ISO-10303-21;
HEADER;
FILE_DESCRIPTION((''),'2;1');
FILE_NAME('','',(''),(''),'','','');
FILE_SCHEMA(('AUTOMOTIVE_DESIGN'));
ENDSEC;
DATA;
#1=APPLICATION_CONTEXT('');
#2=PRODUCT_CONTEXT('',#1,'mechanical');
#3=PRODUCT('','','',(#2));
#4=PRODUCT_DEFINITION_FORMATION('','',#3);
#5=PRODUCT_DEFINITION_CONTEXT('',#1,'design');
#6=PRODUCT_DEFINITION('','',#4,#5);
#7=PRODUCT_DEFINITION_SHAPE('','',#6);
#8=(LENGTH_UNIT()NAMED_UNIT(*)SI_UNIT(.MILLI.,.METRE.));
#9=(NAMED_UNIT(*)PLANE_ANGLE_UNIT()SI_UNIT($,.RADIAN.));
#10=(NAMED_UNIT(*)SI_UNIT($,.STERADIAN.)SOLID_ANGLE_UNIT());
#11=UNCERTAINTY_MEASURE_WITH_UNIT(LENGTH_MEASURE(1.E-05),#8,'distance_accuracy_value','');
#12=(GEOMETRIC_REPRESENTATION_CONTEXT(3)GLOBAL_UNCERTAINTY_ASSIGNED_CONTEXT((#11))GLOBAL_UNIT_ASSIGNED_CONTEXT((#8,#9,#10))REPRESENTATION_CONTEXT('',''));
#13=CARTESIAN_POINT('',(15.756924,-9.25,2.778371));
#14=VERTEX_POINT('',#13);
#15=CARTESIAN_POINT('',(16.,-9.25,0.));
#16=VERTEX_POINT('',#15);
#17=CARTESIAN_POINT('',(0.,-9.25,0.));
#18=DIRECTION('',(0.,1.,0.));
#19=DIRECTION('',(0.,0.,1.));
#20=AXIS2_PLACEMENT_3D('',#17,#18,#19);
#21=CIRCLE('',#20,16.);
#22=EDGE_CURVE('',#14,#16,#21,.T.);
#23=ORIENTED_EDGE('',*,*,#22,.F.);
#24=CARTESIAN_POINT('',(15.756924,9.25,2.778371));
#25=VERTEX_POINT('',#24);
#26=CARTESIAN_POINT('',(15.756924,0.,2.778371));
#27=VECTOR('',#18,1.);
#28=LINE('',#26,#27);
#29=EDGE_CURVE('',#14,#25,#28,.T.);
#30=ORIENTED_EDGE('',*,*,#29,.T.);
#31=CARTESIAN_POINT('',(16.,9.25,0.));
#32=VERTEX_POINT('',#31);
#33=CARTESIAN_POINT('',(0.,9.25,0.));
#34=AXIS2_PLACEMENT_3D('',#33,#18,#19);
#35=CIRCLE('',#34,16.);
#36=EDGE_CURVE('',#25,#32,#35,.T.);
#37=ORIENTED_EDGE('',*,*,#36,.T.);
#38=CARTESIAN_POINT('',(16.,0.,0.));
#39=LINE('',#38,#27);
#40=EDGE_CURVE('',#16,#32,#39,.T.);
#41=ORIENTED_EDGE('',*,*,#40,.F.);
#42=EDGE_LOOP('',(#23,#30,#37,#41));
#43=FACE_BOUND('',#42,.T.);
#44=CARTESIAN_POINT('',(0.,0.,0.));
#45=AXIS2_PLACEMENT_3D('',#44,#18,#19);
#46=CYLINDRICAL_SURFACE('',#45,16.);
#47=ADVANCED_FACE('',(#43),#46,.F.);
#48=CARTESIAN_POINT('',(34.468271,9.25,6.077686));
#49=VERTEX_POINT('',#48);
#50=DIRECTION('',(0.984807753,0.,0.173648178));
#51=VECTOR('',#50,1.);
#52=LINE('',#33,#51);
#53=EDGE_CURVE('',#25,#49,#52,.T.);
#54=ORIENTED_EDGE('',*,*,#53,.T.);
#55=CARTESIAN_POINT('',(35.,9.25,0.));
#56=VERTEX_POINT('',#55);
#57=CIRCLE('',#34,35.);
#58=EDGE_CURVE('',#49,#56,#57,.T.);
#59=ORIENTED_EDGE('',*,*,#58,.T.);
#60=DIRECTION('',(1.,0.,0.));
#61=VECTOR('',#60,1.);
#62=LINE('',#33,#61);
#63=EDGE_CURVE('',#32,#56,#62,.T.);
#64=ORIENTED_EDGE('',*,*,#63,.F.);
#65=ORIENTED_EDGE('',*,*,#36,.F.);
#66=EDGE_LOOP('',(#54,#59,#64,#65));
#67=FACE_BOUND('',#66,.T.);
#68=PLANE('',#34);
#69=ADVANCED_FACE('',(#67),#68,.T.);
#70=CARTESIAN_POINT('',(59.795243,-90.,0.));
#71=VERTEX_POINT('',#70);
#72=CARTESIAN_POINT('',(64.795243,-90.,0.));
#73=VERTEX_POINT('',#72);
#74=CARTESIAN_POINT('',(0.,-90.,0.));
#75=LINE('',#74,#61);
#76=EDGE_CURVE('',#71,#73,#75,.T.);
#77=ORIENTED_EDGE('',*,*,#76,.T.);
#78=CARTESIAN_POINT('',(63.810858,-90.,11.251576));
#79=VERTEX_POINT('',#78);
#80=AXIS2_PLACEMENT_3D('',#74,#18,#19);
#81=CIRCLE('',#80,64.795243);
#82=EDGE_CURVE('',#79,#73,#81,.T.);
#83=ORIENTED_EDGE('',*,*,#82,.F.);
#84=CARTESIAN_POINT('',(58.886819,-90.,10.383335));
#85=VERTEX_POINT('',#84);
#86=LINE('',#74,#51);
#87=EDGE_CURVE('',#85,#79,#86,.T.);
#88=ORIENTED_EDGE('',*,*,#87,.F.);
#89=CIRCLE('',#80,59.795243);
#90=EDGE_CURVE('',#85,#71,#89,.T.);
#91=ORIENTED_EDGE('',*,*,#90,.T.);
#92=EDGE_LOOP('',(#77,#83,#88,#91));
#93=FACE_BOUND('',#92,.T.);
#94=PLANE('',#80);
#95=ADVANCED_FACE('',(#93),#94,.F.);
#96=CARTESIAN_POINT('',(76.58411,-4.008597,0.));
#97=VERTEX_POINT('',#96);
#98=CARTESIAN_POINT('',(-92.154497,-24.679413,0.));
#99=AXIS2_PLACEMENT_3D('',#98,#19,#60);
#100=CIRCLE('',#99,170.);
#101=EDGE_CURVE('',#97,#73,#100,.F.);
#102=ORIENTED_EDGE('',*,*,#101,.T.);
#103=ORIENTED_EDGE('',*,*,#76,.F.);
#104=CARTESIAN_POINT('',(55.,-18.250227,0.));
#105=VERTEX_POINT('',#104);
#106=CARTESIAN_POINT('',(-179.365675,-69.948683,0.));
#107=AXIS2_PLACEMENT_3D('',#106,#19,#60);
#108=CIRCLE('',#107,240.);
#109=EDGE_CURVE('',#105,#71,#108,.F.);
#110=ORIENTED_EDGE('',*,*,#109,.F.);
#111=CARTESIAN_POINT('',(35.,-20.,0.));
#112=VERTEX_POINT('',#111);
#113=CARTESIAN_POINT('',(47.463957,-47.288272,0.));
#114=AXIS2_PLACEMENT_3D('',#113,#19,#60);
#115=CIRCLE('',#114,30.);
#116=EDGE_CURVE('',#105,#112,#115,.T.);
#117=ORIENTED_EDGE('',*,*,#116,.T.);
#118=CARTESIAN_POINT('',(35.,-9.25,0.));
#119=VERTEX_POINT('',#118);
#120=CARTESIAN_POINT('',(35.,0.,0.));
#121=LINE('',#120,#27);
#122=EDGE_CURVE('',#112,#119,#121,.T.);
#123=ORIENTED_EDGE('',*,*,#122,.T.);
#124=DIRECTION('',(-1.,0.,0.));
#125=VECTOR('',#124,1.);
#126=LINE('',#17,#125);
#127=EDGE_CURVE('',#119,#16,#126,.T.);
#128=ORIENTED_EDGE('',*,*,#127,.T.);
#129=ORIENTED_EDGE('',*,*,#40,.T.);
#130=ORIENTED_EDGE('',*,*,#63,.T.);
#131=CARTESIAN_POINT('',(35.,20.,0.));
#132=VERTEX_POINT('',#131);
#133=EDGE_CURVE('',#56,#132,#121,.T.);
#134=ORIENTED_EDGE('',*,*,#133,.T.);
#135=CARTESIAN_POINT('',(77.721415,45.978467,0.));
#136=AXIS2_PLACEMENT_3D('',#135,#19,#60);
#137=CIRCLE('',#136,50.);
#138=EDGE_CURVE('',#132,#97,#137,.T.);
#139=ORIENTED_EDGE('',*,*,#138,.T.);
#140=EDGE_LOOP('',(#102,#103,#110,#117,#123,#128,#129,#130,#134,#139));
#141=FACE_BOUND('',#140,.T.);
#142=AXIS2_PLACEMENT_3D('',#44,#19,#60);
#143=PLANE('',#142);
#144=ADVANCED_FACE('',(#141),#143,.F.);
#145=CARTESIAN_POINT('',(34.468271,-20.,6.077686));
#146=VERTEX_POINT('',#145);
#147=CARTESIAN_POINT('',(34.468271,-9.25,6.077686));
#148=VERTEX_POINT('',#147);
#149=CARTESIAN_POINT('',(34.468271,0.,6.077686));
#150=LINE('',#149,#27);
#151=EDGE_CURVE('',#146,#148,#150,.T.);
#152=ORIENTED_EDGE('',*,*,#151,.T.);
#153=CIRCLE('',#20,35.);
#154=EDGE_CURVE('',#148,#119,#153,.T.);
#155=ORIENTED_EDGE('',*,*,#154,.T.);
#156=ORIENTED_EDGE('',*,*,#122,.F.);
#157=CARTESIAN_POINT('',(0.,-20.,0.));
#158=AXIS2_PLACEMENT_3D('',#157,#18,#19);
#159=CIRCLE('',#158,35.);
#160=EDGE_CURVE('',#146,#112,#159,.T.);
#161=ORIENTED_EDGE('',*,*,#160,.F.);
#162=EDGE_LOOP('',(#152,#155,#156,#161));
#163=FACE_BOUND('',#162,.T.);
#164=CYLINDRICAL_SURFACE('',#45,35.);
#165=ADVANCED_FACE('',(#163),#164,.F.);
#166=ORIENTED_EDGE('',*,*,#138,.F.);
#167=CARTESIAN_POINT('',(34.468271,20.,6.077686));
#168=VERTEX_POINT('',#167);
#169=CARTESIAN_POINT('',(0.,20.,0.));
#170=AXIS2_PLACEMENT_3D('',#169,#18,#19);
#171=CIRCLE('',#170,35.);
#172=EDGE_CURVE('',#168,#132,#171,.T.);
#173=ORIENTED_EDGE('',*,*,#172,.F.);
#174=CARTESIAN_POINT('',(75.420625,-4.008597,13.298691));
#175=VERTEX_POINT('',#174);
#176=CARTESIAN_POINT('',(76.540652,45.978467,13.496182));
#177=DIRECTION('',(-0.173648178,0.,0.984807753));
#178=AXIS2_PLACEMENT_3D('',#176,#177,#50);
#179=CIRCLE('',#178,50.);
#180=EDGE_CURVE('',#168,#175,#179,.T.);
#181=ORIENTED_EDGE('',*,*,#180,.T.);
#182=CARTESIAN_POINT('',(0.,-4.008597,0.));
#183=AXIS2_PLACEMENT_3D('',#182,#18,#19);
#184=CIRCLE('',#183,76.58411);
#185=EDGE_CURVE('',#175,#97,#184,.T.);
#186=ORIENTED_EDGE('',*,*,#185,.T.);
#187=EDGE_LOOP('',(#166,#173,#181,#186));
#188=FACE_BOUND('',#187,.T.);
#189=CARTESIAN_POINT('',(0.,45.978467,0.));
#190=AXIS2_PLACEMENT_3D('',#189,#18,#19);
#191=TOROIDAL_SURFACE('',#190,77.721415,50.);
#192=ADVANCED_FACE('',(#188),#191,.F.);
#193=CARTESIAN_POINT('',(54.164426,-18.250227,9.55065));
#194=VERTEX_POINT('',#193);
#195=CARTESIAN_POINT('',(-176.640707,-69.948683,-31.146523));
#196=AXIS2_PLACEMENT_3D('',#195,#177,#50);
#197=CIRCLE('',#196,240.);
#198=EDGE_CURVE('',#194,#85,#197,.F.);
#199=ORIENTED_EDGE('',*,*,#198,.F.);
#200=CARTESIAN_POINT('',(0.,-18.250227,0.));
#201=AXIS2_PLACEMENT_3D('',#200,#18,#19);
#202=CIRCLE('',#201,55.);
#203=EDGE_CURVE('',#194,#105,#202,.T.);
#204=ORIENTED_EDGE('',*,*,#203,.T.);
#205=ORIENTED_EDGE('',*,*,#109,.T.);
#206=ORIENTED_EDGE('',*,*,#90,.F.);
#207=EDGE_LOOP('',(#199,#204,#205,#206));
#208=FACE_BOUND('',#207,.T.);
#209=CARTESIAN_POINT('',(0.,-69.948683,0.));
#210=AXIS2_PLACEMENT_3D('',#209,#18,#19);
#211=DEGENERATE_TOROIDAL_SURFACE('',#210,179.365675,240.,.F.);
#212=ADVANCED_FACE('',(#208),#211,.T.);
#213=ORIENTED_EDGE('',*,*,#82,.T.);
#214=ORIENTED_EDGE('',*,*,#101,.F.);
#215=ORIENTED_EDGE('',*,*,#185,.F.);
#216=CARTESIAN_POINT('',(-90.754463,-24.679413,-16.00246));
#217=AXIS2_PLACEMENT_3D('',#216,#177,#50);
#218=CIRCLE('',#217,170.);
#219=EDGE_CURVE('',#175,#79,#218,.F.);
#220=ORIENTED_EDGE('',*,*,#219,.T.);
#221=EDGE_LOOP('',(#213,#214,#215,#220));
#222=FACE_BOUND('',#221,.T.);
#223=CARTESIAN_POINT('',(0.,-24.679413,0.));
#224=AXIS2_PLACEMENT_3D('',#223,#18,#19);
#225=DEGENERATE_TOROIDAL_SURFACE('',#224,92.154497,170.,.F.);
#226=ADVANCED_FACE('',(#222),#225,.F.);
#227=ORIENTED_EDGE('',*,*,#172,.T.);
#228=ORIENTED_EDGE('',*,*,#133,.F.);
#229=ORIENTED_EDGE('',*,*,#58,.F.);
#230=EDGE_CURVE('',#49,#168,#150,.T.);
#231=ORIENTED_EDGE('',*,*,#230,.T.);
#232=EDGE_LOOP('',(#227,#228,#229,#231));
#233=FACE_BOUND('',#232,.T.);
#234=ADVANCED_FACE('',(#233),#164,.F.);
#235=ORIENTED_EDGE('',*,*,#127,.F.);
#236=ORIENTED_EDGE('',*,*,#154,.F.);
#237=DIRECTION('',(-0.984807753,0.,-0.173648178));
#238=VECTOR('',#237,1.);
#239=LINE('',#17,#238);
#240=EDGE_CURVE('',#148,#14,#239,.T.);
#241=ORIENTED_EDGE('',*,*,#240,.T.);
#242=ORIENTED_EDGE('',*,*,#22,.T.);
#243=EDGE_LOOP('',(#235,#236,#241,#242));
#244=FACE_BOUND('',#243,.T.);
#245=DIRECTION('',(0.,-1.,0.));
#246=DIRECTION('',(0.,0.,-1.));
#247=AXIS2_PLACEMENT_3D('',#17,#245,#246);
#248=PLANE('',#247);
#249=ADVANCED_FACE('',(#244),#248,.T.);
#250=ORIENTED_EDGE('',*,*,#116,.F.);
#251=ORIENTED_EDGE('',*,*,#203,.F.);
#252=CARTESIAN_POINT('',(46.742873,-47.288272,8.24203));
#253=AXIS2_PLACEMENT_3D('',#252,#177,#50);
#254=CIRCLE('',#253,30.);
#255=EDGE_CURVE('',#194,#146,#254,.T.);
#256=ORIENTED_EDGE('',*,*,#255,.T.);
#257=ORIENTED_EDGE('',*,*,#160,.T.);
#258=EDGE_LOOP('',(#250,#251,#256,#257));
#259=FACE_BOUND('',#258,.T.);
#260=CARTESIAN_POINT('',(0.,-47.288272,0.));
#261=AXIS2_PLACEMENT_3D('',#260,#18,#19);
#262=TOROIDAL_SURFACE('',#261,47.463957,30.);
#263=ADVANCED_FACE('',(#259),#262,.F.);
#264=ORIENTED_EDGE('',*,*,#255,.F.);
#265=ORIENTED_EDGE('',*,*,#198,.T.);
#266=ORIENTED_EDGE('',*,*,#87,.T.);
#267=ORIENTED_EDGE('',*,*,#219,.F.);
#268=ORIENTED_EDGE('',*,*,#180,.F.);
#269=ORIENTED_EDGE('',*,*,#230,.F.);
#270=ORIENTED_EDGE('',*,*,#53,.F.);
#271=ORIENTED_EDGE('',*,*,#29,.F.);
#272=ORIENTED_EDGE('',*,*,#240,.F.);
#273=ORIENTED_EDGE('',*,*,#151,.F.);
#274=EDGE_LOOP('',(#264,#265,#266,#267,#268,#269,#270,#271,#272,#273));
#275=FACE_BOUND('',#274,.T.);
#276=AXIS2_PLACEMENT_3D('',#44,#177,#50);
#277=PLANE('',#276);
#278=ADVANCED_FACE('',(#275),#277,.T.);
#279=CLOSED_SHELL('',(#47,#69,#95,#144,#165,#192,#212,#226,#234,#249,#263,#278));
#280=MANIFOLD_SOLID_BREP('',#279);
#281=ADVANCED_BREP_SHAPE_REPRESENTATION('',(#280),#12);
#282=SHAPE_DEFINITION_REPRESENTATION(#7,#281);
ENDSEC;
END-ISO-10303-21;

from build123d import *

# Parameters (mm, degrees)
REVOLVE1_ANGLE = 10


with BuildPart() as part:
    # Sketch2 → Revolve1 (revolve)
    with BuildSketch(Plane.XY):
        with BuildLine():
            ThreePointArc((55, -18.250226729), (44.849284803, -17.402430783), (35, -20))
            Line((35, -20), (35, 20))
            ThreePointArc((35, 20), (52.721414573, 2.677196604), (76.584109665, -4.008596909))
            ThreePointArc((76.584109665, -4.008596909), (76.270130447, -47.769342724), (64.795242944, -90))
            Line((64.795242944, -90), (59.795242944, -90))
            ThreePointArc((59.795242944, -90), (60.100118063, -53.944497774), (55, -18.250226729))
        make_face()
        Polygon((16, -9.25), (35, -9.25), (35, 9.25), (16, 9.25), (16, 0), align=None)
    revolve(axis=Axis((0, 0, 0), (0, -1, 0)), revolution_arc=REVOLVE1_ANGLE)


solid = part.part
